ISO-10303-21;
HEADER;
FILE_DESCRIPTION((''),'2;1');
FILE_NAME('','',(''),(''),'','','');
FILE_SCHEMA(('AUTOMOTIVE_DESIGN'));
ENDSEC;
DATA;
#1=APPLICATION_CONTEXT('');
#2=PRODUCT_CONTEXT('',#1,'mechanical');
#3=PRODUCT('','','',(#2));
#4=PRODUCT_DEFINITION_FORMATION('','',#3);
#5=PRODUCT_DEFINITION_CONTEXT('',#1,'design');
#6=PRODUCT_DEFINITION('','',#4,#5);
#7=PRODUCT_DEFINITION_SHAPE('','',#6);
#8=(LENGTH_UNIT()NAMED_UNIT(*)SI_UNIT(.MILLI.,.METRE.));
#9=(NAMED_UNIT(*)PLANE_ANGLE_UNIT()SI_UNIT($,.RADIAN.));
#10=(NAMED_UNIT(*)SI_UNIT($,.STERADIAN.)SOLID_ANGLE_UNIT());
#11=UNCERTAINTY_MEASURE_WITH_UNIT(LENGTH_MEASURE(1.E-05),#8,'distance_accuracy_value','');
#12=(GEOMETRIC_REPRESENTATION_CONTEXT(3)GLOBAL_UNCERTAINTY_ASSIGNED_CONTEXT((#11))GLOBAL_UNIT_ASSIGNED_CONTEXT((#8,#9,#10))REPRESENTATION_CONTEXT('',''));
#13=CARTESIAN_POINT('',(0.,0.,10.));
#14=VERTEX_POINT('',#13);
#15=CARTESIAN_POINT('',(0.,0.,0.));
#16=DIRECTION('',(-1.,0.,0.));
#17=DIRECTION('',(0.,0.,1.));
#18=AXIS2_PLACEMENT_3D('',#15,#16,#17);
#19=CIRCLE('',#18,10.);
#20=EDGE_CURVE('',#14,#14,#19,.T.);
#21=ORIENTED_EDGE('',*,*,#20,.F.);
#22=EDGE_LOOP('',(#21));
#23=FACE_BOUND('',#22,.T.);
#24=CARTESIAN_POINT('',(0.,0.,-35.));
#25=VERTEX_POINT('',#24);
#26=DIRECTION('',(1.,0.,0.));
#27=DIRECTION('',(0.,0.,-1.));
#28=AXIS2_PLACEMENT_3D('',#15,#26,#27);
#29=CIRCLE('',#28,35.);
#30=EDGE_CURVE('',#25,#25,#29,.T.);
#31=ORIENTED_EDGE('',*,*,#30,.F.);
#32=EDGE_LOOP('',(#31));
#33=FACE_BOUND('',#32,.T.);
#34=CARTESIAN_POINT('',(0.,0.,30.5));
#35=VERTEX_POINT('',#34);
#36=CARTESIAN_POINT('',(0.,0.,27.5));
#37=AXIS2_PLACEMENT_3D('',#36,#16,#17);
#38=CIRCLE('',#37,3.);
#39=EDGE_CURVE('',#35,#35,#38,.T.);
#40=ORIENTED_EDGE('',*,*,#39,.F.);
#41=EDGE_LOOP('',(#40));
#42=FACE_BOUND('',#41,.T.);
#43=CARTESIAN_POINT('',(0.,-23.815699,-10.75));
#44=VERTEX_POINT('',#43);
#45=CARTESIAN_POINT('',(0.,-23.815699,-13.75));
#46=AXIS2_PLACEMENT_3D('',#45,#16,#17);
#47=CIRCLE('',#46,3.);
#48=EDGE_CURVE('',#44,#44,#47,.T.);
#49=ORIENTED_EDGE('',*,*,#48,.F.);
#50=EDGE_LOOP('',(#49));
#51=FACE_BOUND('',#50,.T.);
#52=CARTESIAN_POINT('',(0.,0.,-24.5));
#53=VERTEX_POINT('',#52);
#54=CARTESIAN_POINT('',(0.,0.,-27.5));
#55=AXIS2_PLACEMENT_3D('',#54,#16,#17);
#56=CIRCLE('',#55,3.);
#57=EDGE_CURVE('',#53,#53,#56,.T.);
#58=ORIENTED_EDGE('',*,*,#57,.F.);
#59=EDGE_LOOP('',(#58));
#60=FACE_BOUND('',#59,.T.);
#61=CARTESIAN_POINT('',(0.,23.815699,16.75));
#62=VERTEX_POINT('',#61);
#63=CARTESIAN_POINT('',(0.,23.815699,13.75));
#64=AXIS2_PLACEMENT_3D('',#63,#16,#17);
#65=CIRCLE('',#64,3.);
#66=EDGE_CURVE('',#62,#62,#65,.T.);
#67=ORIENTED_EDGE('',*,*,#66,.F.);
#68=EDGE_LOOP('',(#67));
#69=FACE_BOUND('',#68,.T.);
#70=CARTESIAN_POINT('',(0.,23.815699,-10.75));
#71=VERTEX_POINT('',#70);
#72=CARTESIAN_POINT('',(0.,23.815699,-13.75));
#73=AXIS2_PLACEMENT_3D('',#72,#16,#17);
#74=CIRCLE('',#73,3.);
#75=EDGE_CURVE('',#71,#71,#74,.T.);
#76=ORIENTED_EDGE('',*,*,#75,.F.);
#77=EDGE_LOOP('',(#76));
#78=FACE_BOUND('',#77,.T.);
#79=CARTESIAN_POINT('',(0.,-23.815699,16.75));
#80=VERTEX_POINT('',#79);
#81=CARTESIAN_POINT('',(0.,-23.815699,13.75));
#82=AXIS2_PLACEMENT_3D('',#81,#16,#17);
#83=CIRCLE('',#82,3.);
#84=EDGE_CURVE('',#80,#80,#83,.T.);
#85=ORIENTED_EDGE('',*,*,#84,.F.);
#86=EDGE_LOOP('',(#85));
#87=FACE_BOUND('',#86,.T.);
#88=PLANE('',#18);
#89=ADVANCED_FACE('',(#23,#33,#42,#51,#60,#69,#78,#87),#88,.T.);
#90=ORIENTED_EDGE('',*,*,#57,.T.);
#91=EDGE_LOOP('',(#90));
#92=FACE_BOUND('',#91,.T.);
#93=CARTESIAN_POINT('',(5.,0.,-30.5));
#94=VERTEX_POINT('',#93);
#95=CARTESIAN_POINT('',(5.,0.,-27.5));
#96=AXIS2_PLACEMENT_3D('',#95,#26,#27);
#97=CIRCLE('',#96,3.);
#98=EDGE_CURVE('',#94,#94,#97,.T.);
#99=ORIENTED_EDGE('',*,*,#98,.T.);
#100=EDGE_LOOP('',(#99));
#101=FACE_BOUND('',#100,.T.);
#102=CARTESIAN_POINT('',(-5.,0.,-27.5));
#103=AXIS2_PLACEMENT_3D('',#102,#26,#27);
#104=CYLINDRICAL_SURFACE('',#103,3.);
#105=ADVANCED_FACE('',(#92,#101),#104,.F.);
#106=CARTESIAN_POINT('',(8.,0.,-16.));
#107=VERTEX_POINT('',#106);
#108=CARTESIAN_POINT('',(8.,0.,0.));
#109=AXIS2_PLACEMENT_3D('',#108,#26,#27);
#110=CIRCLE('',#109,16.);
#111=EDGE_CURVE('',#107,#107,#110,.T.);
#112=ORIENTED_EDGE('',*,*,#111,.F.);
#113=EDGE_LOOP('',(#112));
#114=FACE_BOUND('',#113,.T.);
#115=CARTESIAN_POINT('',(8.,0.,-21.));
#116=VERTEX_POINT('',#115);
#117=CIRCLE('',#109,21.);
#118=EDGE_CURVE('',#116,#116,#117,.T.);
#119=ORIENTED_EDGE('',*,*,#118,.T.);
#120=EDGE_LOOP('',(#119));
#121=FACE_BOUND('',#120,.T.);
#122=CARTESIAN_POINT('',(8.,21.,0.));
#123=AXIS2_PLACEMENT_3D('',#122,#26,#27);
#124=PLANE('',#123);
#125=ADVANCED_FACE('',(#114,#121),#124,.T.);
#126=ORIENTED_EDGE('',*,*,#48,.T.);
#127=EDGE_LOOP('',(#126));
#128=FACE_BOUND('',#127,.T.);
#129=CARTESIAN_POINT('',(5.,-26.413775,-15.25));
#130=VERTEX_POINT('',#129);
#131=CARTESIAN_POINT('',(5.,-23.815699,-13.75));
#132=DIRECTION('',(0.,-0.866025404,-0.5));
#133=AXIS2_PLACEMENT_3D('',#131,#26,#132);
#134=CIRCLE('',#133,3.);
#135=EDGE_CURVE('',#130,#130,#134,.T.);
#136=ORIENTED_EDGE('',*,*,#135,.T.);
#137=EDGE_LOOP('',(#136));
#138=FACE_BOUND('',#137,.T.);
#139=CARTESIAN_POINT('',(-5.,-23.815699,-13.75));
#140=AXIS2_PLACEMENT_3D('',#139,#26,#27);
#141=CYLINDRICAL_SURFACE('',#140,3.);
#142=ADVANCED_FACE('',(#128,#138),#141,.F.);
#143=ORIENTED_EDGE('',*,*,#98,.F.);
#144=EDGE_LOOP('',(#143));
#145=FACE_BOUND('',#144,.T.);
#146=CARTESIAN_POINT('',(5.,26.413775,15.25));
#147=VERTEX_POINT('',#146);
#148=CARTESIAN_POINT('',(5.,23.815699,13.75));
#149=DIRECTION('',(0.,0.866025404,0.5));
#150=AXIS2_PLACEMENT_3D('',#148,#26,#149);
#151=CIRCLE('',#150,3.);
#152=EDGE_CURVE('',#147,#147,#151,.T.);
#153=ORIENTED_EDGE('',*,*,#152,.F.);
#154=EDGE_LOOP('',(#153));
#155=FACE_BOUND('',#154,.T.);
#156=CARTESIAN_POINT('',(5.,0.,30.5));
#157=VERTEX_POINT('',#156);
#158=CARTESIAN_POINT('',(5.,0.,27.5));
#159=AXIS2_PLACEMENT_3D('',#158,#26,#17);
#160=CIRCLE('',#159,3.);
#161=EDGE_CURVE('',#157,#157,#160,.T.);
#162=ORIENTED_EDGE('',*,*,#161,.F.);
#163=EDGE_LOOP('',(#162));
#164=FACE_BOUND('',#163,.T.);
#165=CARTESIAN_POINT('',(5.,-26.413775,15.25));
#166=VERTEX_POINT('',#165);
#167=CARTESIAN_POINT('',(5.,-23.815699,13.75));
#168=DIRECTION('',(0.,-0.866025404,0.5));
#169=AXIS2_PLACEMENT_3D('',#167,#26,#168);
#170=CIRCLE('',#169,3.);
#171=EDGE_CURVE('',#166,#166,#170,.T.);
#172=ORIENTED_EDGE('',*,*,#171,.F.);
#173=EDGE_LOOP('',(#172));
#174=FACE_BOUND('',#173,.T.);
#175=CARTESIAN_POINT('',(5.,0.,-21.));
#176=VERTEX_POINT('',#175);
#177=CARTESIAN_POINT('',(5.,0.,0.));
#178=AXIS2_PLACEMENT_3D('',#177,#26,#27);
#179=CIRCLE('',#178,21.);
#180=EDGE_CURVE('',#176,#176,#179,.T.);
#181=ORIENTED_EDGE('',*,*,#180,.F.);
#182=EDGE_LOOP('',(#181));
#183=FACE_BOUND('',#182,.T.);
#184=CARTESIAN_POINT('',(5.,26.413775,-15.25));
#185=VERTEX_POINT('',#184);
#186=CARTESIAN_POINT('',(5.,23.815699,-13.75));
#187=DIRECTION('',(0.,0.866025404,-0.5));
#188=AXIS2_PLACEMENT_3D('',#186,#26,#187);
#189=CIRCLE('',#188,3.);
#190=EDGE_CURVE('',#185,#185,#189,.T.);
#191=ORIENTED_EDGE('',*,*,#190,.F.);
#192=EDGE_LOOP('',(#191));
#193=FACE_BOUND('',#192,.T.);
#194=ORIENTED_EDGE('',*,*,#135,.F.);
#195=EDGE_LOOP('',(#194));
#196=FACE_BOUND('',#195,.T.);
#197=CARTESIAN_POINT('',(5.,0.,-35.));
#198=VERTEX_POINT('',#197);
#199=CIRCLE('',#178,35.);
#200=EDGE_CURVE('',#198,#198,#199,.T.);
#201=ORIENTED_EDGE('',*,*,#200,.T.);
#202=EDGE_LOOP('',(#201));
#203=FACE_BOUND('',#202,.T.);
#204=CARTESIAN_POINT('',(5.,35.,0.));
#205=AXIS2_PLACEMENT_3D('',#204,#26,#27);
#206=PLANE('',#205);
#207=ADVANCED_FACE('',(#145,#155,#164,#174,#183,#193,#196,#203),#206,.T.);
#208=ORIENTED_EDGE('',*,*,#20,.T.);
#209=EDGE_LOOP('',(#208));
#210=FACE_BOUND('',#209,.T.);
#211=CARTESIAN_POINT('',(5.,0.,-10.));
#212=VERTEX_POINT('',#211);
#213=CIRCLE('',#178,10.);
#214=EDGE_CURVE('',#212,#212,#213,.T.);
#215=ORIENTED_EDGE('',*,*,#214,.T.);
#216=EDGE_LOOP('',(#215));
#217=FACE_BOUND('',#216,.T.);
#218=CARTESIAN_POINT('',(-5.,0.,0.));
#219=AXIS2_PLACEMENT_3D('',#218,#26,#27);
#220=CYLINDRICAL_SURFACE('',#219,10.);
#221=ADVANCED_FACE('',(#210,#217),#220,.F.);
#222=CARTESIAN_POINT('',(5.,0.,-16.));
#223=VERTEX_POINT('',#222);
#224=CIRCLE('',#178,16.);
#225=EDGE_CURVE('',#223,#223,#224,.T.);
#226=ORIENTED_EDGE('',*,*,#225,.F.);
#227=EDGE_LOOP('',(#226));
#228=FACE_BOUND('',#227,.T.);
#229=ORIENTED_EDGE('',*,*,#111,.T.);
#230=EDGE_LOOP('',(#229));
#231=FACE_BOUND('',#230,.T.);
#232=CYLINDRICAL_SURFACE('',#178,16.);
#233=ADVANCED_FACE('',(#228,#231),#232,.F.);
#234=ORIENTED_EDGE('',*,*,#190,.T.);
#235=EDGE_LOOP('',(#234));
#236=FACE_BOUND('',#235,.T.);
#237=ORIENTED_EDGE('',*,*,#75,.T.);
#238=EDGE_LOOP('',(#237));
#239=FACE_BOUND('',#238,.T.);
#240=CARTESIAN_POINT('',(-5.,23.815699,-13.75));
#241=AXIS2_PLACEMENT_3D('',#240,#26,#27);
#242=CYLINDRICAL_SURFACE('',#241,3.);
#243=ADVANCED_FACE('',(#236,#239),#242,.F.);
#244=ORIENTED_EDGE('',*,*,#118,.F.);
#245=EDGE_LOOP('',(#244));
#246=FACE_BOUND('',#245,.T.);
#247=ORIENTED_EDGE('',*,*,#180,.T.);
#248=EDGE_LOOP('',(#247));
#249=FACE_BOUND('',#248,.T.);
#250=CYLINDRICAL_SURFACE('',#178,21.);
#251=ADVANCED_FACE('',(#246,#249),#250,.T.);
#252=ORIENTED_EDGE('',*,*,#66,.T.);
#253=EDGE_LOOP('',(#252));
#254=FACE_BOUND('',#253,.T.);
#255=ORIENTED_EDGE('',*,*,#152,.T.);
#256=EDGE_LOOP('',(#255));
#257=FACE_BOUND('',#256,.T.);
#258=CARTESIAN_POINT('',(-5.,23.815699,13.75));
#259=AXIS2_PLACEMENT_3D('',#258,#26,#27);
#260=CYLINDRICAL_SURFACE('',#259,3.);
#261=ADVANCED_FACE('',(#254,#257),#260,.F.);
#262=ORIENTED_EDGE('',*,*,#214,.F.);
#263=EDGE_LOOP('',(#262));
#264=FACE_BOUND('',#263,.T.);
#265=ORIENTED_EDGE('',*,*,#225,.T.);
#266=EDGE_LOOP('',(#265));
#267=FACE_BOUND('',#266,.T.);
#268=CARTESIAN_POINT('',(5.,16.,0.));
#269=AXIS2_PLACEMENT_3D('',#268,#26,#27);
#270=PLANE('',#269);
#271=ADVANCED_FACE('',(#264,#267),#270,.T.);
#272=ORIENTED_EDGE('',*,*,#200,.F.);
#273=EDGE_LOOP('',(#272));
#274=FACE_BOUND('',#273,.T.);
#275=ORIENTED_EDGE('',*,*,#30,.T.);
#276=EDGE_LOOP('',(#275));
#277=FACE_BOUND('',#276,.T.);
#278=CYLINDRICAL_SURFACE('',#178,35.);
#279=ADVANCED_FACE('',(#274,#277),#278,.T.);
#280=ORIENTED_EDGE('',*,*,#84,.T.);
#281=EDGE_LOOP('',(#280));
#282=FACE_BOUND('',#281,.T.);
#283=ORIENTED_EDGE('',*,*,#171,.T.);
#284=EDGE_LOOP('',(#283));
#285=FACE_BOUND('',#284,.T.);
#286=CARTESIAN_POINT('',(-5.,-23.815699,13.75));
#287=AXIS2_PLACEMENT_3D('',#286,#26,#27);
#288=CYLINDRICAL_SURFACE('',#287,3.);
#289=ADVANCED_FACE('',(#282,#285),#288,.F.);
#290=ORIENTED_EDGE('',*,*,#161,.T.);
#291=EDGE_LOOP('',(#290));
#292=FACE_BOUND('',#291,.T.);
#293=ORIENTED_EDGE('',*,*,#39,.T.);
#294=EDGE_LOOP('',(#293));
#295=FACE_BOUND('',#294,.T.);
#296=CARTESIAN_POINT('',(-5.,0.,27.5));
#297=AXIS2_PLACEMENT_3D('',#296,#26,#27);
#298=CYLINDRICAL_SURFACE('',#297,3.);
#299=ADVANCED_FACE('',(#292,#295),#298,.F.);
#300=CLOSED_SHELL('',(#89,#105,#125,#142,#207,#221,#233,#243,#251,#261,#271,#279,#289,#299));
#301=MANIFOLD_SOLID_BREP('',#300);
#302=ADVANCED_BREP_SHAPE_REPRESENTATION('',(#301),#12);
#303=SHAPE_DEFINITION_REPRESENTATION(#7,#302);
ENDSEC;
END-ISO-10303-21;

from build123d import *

# Parameters (mm, degrees)
SKETCH2_R          = 3
CUT_EXTRUDE1_DEPTH = 10
CIRPATTERN1_COUNT  = 6
SKETCH3_R          = 10
CUT_EXTRUDE2_DEPTH = 10


with BuildPart() as part:
    # Sketch1 → Revolve1 (revolve)
    with BuildSketch(Plane.XY):
        Polygon((0, 35), (5, 35), (5, 21), (8, 21), (8, 16), (5, 16), (5, 0), (0, 0), align=None)
    revolve(axis=Axis((5, 0, 0), (-1, 0, 0)))

    # Sketch2 → Cut-Extrude1 (cut)
    with BuildSketch(Plane(origin=(5, 0, 0), x_dir=(0, 0, -1), z_dir=(1, 0, 0))):
        with Locations((27.5, 0)):
            Circle(SKETCH2_R)
    cut_extrude1 = extrude(amount=-CUT_EXTRUDE1_DEPTH, mode=Mode.SUBTRACT)

    # CirPattern1: Cut-Extrude1 ×6 about axis
    cirpattern1_axis = Axis((0, 0, 0), (1, 0, 0))
    for i in range(1, CIRPATTERN1_COUNT):
        add(cut_extrude1.rotate(cirpattern1_axis, i * 360 / CIRPATTERN1_COUNT), mode=Mode.SUBTRACT)

    # Sketch3 → Cut-Extrude2 (cut)
    with BuildSketch(Plane(origin=(5, 0, 0), x_dir=(0, 0, -1), z_dir=(1, 0, 0))):
        Circle(SKETCH3_R)
    extrude(amount=-CUT_EXTRUDE2_DEPTH, mode=Mode.SUBTRACT)


solid = part.part
